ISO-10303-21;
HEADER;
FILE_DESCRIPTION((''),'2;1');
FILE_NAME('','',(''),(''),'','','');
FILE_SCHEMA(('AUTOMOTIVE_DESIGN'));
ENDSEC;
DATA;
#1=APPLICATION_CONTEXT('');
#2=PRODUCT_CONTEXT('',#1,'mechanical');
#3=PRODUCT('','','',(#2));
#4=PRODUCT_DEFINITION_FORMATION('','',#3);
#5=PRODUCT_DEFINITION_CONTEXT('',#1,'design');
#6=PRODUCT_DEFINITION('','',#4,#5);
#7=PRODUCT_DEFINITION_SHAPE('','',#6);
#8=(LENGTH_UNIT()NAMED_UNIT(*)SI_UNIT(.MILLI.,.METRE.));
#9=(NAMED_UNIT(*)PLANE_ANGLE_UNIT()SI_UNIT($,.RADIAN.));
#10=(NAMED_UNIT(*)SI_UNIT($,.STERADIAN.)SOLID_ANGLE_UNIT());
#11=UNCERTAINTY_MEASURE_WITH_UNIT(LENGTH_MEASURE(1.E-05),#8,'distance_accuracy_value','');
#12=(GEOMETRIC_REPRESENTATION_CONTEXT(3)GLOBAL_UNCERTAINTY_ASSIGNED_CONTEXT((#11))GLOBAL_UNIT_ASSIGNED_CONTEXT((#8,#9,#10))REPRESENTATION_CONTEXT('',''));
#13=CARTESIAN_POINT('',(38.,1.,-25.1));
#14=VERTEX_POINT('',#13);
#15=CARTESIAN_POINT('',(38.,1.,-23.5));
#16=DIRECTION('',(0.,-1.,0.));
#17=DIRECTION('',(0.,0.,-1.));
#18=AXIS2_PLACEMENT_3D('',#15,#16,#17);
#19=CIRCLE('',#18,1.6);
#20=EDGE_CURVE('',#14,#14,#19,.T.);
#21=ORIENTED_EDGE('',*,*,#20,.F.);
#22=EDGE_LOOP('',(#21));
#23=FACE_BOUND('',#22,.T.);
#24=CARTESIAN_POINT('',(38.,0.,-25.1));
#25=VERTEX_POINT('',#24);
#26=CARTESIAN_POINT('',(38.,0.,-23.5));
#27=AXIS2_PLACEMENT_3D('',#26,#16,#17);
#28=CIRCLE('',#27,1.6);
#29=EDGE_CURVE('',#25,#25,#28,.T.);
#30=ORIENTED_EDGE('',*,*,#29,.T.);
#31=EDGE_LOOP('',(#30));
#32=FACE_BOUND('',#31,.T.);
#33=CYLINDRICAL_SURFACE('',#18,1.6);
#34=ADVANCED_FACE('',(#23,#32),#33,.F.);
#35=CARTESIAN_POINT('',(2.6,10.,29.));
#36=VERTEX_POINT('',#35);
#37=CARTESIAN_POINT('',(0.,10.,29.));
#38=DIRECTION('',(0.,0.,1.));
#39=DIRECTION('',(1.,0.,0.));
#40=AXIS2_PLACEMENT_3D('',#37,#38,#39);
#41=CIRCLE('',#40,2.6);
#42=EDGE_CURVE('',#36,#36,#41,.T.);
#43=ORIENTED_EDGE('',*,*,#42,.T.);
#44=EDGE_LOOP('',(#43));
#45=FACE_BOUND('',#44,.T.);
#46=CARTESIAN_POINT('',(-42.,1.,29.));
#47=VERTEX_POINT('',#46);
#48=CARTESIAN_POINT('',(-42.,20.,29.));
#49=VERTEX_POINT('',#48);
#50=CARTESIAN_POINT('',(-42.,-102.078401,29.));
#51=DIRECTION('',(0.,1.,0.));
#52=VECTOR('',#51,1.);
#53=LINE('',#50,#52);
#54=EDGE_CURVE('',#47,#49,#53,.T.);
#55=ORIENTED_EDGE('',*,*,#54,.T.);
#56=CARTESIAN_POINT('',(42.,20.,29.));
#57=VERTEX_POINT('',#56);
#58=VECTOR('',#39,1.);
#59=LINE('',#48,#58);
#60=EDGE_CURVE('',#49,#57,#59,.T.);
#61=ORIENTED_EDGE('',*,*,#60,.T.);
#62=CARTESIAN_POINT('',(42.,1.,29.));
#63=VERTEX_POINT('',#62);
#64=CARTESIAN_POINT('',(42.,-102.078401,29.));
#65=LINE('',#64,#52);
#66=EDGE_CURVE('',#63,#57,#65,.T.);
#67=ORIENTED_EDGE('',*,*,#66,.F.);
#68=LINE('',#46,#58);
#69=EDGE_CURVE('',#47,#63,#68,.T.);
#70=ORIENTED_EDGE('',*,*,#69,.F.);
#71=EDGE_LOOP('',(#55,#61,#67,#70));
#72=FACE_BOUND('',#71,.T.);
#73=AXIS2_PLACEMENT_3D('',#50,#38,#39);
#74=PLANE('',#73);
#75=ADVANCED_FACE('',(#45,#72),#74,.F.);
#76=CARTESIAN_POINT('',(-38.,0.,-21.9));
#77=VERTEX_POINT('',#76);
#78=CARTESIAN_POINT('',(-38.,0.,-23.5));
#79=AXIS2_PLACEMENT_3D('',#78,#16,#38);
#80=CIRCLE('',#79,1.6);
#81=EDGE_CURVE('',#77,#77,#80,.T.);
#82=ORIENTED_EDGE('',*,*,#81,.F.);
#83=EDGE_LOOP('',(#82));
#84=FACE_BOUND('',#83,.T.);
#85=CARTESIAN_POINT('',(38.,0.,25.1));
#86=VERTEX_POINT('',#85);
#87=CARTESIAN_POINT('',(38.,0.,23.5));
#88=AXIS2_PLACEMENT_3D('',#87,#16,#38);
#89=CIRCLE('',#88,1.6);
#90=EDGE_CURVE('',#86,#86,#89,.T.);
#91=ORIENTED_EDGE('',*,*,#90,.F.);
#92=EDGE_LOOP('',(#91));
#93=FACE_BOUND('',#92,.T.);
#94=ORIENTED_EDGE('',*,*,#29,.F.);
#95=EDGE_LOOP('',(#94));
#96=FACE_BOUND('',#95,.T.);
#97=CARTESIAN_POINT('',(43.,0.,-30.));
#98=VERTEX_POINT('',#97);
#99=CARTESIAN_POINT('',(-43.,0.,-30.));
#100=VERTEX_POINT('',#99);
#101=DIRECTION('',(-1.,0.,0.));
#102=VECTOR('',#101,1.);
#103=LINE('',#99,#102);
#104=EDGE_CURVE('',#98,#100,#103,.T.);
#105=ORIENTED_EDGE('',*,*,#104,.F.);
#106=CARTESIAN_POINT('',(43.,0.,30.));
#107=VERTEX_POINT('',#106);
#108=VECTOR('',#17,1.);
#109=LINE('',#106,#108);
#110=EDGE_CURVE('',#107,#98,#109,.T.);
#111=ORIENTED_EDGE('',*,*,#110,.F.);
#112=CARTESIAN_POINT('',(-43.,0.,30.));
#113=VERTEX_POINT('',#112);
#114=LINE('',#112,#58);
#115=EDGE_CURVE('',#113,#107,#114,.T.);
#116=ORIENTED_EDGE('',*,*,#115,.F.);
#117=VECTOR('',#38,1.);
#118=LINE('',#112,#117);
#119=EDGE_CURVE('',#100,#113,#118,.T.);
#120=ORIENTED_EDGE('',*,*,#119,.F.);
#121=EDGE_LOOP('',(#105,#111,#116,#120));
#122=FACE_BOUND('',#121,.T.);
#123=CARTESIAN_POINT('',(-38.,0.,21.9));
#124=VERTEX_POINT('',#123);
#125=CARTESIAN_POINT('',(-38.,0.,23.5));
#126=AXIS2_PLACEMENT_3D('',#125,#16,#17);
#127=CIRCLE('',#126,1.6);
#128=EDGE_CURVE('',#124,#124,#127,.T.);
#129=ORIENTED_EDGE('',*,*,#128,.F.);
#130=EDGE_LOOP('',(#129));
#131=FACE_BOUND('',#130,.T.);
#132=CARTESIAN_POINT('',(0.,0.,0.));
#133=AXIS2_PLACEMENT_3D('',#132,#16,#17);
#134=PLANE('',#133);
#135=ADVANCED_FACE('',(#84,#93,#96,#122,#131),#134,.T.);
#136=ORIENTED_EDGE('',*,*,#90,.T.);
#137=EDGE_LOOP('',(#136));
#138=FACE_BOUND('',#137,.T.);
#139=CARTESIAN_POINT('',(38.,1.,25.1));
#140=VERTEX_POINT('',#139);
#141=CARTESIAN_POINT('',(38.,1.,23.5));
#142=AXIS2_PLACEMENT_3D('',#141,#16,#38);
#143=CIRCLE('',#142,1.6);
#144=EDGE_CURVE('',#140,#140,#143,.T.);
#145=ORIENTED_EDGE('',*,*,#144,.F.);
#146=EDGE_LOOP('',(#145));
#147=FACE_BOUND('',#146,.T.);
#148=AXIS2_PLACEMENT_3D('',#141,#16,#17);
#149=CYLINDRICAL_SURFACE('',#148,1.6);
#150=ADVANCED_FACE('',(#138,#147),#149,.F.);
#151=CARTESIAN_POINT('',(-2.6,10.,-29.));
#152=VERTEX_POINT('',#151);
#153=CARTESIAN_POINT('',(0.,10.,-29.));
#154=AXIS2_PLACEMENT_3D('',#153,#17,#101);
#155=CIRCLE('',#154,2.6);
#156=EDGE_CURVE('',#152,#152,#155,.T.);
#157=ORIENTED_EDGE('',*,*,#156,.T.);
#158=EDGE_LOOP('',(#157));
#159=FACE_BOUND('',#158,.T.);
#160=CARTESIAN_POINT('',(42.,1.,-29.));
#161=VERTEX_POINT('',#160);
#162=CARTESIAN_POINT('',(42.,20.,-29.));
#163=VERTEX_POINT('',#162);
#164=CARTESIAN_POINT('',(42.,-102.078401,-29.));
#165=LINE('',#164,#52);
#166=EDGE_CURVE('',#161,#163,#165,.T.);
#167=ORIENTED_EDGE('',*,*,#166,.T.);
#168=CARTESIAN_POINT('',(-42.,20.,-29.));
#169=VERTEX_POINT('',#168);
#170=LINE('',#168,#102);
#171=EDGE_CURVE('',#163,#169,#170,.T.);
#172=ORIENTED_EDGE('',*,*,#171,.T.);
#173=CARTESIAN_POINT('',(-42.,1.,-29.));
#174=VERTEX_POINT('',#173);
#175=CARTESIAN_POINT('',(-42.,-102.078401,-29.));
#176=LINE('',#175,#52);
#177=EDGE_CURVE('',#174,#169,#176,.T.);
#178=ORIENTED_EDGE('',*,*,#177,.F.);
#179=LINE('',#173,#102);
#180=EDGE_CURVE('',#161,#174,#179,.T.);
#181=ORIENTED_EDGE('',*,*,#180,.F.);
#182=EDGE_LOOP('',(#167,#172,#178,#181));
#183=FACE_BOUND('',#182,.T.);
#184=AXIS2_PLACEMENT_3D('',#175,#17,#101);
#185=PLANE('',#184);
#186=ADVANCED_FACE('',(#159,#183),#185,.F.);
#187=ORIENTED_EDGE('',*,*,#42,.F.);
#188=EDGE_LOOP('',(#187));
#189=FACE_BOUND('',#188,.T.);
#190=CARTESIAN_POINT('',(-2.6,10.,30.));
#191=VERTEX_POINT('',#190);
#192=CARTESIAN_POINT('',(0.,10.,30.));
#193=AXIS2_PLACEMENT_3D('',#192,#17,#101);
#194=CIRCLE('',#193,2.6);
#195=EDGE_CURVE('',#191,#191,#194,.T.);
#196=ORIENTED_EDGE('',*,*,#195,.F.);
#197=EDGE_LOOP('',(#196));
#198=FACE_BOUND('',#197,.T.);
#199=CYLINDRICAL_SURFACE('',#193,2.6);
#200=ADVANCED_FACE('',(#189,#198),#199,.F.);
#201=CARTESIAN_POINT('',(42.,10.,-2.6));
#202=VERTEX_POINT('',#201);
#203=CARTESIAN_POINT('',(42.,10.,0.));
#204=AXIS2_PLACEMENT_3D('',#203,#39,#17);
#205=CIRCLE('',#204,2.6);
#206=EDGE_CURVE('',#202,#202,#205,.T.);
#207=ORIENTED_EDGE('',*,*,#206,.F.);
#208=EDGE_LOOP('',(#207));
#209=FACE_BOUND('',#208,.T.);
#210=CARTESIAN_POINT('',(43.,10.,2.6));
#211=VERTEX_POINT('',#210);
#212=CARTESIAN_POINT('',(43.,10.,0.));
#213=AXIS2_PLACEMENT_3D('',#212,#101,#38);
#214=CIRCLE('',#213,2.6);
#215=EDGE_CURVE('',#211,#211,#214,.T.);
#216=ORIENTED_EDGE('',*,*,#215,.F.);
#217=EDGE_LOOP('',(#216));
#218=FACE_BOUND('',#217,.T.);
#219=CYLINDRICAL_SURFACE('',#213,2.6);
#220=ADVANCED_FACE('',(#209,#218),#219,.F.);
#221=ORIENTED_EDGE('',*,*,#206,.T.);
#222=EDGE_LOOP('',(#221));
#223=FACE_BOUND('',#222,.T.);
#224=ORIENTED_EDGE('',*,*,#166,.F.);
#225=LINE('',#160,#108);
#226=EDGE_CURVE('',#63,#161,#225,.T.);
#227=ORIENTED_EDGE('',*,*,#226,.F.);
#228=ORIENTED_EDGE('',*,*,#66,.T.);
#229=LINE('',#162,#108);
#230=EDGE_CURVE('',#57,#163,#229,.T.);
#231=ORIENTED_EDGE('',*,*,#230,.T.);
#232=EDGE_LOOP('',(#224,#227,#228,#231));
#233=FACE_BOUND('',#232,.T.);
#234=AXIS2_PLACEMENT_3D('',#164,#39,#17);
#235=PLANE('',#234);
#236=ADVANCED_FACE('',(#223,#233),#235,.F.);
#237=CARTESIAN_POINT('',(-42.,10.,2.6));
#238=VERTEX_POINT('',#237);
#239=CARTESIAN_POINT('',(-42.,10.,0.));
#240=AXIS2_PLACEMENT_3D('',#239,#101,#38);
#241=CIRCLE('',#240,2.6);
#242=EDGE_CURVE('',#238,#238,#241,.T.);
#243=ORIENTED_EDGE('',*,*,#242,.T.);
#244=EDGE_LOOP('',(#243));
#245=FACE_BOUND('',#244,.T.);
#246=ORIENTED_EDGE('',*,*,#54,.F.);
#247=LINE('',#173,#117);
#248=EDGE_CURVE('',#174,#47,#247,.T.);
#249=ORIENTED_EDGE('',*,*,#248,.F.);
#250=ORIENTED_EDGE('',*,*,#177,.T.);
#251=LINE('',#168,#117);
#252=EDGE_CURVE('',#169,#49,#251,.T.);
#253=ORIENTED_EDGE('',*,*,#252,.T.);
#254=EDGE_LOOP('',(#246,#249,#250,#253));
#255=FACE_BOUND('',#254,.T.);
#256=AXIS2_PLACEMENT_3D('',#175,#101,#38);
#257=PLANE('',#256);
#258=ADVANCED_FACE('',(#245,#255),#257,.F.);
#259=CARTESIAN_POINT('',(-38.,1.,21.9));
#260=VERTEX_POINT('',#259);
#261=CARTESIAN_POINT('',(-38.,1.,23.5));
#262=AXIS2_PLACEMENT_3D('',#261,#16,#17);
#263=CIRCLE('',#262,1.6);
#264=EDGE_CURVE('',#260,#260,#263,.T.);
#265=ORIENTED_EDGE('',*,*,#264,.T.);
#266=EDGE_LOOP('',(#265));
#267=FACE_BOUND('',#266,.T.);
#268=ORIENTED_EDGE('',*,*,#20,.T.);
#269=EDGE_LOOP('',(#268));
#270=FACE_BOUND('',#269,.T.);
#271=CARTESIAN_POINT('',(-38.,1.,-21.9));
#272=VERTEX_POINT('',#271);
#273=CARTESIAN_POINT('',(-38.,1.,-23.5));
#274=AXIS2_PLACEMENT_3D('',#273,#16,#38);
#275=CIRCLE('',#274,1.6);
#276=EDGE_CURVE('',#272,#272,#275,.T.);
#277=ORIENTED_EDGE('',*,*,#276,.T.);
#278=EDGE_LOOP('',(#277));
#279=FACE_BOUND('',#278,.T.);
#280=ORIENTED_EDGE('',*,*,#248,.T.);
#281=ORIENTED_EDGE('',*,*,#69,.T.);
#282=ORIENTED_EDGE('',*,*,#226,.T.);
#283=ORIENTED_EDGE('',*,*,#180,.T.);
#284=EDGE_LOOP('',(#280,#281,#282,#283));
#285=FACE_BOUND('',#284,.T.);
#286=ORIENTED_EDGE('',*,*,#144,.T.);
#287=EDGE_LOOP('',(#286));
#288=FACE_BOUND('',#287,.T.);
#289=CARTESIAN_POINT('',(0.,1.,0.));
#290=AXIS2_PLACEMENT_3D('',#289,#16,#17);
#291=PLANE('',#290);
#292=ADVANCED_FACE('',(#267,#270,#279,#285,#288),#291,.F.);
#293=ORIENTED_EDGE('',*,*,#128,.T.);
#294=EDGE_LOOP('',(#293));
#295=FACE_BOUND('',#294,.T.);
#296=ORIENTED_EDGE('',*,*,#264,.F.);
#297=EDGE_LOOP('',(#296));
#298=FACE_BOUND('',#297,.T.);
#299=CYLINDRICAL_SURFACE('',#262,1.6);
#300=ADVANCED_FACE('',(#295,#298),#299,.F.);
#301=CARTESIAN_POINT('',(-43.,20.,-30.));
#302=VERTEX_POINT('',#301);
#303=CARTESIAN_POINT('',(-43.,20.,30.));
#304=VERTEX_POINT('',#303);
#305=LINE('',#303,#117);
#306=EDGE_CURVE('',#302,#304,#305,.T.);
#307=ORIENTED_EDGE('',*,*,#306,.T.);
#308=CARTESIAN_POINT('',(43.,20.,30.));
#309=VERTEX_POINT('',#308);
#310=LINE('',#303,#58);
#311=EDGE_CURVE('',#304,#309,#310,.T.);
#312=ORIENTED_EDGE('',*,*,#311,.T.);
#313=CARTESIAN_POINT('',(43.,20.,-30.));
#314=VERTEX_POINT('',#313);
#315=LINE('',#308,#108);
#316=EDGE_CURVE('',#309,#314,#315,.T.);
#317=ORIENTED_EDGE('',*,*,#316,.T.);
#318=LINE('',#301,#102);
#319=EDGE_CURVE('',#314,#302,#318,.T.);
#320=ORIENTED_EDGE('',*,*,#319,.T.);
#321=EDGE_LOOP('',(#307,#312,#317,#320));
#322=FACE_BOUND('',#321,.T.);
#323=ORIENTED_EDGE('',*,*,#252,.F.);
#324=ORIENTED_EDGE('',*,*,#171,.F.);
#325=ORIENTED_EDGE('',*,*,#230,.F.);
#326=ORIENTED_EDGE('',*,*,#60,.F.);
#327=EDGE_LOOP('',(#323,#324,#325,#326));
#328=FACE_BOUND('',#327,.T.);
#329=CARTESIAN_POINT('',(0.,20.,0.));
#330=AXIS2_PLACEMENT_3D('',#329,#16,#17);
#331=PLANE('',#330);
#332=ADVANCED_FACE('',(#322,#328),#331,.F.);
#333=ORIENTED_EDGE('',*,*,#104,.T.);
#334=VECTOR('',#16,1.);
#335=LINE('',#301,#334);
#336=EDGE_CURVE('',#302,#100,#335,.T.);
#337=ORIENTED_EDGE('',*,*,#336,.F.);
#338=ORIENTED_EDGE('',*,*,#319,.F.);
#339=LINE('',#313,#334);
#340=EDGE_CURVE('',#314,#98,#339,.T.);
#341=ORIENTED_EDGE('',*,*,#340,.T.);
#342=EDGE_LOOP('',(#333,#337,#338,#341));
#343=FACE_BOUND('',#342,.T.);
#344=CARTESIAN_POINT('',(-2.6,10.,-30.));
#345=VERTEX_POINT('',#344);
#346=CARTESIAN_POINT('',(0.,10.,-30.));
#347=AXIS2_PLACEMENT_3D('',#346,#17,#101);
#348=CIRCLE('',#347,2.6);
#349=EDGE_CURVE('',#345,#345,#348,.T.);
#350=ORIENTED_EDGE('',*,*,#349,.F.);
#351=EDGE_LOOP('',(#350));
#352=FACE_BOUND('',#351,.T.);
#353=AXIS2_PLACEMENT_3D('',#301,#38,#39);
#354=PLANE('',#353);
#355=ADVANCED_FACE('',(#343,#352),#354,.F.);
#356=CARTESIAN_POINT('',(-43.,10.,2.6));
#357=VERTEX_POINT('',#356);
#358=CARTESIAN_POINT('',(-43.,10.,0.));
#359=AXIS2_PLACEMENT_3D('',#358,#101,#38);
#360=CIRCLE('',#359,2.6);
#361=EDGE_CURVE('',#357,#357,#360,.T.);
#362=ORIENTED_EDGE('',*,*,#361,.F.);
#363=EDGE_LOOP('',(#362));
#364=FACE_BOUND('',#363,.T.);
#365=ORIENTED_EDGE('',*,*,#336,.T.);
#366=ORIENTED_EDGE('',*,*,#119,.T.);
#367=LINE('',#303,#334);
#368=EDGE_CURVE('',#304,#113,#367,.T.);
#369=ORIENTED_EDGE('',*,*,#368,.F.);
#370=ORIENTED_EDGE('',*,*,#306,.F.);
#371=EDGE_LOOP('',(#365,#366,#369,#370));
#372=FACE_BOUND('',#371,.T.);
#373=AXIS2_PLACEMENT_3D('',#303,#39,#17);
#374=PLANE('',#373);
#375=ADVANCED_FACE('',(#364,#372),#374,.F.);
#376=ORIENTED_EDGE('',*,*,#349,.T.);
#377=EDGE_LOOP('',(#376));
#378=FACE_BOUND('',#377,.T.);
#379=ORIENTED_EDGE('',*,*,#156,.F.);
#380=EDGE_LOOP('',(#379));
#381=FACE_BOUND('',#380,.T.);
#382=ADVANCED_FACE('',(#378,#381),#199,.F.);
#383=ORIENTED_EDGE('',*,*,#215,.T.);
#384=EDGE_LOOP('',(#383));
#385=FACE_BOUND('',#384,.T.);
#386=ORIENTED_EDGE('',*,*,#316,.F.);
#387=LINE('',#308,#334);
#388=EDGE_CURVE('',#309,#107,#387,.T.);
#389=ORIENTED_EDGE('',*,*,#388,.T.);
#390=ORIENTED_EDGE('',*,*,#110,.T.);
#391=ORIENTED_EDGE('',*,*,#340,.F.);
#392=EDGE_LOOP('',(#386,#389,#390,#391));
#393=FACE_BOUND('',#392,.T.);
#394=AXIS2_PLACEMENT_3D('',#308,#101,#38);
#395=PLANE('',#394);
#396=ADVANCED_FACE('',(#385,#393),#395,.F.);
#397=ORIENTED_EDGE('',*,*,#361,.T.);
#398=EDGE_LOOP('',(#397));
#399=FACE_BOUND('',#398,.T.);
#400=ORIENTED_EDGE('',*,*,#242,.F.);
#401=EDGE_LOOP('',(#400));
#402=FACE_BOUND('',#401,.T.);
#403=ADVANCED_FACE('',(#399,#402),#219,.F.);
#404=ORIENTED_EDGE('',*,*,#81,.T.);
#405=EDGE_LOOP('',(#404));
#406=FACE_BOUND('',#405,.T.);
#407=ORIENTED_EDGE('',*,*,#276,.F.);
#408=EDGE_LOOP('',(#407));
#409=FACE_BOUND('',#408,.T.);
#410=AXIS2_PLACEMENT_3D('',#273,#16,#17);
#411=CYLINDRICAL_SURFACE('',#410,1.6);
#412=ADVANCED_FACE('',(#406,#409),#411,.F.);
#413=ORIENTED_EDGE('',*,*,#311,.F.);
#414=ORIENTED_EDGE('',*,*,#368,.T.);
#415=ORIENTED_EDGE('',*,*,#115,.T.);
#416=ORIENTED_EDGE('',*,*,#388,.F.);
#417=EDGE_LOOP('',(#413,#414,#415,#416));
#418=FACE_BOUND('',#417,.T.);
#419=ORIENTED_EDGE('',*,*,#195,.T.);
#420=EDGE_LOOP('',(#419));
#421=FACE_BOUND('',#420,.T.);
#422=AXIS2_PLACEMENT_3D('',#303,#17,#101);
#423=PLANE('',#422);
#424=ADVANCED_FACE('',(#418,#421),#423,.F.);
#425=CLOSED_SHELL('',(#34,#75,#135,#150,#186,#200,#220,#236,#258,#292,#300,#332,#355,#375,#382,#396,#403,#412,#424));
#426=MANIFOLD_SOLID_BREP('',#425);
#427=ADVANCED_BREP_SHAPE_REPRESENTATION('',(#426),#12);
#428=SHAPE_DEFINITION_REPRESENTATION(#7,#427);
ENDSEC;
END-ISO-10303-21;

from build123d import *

# Parameters (mm, degrees)
SKETCH_1_W          = 86
SKETCH_1_H          = 60
EXTRUDE_1_DEPTH     = 20
SKETCH_2_W          = 84
SKETCH_2_H          = 58
CUT_EXTRUDE_1_DEPTH = 19
SKETCH_3_R          = 1.6
CUT_EXTRUDE_2_DEPTH = 1
SKETCH_4_R          = 2.6
CUT_EXTRUDE_3_DEPTH = 94.252345815
SKETCH_5_R          = 2.6
CUT_EXTRUDE_4_DEPTH = 77.47875522


with BuildPart() as part:
    # 草图1 → 凸台-拉伸1 (new body)
    with BuildSketch(Plane(origin=(0, 0, 0), x_dir=(1, 0, 0), z_dir=(0, 1, 0))):
        Rectangle(SKETCH_1_W, SKETCH_1_H)
    extrude(amount=EXTRUDE_1_DEPTH)

    # 草图2 → 切除-拉伸1 (cut)
    with BuildSketch(Plane(origin=(0, 20, 0), x_dir=(1, 0, 0), z_dir=(0, 1, 0))):
        Rectangle(SKETCH_2_W, SKETCH_2_H)
    extrude(amount=-CUT_EXTRUDE_1_DEPTH, mode=Mode.SUBTRACT)

    # 草图3 → 切除-拉伸2 (cut)
    with BuildSketch(Plane.XZ):
        with Locations(Location((-38, 23.5, 0), (0, 0, 270))):
            Circle(SKETCH_3_R)
        with Locations(Location((38, 23.5, 0), (0, 0, 90))):
            Circle(SKETCH_3_R)
        with Locations(Location((38, -23.5, 0), (0, 0, 270))):
            Circle(SKETCH_3_R)
        with Locations(Location((-38, -23.5, 0), (0, 0, 90))):
            Circle(SKETCH_3_R)
    extrude(amount=-CUT_EXTRUDE_2_DEPTH, mode=Mode.SUBTRACT)

    # 草图4 → 切除-拉伸3 (cut, through all)
    with BuildSketch(Plane.ZY.offset(43)):
        with Locations((0, 10)):
            Circle(SKETCH_4_R)
    extrude(amount=-CUT_EXTRUDE_3_DEPTH, mode=Mode.SUBTRACT)

    # 草图5 → 切除-拉伸4 (cut, through all)
    with BuildSketch(Plane(origin=(0, 0, -30), x_dir=(-1, 0, 0), z_dir=(0, 0, -1))):
        with Locations((0, 10)):
            Circle(SKETCH_5_R)
    extrude(amount=-CUT_EXTRUDE_4_DEPTH, mode=Mode.SUBTRACT)


solid = part.part
